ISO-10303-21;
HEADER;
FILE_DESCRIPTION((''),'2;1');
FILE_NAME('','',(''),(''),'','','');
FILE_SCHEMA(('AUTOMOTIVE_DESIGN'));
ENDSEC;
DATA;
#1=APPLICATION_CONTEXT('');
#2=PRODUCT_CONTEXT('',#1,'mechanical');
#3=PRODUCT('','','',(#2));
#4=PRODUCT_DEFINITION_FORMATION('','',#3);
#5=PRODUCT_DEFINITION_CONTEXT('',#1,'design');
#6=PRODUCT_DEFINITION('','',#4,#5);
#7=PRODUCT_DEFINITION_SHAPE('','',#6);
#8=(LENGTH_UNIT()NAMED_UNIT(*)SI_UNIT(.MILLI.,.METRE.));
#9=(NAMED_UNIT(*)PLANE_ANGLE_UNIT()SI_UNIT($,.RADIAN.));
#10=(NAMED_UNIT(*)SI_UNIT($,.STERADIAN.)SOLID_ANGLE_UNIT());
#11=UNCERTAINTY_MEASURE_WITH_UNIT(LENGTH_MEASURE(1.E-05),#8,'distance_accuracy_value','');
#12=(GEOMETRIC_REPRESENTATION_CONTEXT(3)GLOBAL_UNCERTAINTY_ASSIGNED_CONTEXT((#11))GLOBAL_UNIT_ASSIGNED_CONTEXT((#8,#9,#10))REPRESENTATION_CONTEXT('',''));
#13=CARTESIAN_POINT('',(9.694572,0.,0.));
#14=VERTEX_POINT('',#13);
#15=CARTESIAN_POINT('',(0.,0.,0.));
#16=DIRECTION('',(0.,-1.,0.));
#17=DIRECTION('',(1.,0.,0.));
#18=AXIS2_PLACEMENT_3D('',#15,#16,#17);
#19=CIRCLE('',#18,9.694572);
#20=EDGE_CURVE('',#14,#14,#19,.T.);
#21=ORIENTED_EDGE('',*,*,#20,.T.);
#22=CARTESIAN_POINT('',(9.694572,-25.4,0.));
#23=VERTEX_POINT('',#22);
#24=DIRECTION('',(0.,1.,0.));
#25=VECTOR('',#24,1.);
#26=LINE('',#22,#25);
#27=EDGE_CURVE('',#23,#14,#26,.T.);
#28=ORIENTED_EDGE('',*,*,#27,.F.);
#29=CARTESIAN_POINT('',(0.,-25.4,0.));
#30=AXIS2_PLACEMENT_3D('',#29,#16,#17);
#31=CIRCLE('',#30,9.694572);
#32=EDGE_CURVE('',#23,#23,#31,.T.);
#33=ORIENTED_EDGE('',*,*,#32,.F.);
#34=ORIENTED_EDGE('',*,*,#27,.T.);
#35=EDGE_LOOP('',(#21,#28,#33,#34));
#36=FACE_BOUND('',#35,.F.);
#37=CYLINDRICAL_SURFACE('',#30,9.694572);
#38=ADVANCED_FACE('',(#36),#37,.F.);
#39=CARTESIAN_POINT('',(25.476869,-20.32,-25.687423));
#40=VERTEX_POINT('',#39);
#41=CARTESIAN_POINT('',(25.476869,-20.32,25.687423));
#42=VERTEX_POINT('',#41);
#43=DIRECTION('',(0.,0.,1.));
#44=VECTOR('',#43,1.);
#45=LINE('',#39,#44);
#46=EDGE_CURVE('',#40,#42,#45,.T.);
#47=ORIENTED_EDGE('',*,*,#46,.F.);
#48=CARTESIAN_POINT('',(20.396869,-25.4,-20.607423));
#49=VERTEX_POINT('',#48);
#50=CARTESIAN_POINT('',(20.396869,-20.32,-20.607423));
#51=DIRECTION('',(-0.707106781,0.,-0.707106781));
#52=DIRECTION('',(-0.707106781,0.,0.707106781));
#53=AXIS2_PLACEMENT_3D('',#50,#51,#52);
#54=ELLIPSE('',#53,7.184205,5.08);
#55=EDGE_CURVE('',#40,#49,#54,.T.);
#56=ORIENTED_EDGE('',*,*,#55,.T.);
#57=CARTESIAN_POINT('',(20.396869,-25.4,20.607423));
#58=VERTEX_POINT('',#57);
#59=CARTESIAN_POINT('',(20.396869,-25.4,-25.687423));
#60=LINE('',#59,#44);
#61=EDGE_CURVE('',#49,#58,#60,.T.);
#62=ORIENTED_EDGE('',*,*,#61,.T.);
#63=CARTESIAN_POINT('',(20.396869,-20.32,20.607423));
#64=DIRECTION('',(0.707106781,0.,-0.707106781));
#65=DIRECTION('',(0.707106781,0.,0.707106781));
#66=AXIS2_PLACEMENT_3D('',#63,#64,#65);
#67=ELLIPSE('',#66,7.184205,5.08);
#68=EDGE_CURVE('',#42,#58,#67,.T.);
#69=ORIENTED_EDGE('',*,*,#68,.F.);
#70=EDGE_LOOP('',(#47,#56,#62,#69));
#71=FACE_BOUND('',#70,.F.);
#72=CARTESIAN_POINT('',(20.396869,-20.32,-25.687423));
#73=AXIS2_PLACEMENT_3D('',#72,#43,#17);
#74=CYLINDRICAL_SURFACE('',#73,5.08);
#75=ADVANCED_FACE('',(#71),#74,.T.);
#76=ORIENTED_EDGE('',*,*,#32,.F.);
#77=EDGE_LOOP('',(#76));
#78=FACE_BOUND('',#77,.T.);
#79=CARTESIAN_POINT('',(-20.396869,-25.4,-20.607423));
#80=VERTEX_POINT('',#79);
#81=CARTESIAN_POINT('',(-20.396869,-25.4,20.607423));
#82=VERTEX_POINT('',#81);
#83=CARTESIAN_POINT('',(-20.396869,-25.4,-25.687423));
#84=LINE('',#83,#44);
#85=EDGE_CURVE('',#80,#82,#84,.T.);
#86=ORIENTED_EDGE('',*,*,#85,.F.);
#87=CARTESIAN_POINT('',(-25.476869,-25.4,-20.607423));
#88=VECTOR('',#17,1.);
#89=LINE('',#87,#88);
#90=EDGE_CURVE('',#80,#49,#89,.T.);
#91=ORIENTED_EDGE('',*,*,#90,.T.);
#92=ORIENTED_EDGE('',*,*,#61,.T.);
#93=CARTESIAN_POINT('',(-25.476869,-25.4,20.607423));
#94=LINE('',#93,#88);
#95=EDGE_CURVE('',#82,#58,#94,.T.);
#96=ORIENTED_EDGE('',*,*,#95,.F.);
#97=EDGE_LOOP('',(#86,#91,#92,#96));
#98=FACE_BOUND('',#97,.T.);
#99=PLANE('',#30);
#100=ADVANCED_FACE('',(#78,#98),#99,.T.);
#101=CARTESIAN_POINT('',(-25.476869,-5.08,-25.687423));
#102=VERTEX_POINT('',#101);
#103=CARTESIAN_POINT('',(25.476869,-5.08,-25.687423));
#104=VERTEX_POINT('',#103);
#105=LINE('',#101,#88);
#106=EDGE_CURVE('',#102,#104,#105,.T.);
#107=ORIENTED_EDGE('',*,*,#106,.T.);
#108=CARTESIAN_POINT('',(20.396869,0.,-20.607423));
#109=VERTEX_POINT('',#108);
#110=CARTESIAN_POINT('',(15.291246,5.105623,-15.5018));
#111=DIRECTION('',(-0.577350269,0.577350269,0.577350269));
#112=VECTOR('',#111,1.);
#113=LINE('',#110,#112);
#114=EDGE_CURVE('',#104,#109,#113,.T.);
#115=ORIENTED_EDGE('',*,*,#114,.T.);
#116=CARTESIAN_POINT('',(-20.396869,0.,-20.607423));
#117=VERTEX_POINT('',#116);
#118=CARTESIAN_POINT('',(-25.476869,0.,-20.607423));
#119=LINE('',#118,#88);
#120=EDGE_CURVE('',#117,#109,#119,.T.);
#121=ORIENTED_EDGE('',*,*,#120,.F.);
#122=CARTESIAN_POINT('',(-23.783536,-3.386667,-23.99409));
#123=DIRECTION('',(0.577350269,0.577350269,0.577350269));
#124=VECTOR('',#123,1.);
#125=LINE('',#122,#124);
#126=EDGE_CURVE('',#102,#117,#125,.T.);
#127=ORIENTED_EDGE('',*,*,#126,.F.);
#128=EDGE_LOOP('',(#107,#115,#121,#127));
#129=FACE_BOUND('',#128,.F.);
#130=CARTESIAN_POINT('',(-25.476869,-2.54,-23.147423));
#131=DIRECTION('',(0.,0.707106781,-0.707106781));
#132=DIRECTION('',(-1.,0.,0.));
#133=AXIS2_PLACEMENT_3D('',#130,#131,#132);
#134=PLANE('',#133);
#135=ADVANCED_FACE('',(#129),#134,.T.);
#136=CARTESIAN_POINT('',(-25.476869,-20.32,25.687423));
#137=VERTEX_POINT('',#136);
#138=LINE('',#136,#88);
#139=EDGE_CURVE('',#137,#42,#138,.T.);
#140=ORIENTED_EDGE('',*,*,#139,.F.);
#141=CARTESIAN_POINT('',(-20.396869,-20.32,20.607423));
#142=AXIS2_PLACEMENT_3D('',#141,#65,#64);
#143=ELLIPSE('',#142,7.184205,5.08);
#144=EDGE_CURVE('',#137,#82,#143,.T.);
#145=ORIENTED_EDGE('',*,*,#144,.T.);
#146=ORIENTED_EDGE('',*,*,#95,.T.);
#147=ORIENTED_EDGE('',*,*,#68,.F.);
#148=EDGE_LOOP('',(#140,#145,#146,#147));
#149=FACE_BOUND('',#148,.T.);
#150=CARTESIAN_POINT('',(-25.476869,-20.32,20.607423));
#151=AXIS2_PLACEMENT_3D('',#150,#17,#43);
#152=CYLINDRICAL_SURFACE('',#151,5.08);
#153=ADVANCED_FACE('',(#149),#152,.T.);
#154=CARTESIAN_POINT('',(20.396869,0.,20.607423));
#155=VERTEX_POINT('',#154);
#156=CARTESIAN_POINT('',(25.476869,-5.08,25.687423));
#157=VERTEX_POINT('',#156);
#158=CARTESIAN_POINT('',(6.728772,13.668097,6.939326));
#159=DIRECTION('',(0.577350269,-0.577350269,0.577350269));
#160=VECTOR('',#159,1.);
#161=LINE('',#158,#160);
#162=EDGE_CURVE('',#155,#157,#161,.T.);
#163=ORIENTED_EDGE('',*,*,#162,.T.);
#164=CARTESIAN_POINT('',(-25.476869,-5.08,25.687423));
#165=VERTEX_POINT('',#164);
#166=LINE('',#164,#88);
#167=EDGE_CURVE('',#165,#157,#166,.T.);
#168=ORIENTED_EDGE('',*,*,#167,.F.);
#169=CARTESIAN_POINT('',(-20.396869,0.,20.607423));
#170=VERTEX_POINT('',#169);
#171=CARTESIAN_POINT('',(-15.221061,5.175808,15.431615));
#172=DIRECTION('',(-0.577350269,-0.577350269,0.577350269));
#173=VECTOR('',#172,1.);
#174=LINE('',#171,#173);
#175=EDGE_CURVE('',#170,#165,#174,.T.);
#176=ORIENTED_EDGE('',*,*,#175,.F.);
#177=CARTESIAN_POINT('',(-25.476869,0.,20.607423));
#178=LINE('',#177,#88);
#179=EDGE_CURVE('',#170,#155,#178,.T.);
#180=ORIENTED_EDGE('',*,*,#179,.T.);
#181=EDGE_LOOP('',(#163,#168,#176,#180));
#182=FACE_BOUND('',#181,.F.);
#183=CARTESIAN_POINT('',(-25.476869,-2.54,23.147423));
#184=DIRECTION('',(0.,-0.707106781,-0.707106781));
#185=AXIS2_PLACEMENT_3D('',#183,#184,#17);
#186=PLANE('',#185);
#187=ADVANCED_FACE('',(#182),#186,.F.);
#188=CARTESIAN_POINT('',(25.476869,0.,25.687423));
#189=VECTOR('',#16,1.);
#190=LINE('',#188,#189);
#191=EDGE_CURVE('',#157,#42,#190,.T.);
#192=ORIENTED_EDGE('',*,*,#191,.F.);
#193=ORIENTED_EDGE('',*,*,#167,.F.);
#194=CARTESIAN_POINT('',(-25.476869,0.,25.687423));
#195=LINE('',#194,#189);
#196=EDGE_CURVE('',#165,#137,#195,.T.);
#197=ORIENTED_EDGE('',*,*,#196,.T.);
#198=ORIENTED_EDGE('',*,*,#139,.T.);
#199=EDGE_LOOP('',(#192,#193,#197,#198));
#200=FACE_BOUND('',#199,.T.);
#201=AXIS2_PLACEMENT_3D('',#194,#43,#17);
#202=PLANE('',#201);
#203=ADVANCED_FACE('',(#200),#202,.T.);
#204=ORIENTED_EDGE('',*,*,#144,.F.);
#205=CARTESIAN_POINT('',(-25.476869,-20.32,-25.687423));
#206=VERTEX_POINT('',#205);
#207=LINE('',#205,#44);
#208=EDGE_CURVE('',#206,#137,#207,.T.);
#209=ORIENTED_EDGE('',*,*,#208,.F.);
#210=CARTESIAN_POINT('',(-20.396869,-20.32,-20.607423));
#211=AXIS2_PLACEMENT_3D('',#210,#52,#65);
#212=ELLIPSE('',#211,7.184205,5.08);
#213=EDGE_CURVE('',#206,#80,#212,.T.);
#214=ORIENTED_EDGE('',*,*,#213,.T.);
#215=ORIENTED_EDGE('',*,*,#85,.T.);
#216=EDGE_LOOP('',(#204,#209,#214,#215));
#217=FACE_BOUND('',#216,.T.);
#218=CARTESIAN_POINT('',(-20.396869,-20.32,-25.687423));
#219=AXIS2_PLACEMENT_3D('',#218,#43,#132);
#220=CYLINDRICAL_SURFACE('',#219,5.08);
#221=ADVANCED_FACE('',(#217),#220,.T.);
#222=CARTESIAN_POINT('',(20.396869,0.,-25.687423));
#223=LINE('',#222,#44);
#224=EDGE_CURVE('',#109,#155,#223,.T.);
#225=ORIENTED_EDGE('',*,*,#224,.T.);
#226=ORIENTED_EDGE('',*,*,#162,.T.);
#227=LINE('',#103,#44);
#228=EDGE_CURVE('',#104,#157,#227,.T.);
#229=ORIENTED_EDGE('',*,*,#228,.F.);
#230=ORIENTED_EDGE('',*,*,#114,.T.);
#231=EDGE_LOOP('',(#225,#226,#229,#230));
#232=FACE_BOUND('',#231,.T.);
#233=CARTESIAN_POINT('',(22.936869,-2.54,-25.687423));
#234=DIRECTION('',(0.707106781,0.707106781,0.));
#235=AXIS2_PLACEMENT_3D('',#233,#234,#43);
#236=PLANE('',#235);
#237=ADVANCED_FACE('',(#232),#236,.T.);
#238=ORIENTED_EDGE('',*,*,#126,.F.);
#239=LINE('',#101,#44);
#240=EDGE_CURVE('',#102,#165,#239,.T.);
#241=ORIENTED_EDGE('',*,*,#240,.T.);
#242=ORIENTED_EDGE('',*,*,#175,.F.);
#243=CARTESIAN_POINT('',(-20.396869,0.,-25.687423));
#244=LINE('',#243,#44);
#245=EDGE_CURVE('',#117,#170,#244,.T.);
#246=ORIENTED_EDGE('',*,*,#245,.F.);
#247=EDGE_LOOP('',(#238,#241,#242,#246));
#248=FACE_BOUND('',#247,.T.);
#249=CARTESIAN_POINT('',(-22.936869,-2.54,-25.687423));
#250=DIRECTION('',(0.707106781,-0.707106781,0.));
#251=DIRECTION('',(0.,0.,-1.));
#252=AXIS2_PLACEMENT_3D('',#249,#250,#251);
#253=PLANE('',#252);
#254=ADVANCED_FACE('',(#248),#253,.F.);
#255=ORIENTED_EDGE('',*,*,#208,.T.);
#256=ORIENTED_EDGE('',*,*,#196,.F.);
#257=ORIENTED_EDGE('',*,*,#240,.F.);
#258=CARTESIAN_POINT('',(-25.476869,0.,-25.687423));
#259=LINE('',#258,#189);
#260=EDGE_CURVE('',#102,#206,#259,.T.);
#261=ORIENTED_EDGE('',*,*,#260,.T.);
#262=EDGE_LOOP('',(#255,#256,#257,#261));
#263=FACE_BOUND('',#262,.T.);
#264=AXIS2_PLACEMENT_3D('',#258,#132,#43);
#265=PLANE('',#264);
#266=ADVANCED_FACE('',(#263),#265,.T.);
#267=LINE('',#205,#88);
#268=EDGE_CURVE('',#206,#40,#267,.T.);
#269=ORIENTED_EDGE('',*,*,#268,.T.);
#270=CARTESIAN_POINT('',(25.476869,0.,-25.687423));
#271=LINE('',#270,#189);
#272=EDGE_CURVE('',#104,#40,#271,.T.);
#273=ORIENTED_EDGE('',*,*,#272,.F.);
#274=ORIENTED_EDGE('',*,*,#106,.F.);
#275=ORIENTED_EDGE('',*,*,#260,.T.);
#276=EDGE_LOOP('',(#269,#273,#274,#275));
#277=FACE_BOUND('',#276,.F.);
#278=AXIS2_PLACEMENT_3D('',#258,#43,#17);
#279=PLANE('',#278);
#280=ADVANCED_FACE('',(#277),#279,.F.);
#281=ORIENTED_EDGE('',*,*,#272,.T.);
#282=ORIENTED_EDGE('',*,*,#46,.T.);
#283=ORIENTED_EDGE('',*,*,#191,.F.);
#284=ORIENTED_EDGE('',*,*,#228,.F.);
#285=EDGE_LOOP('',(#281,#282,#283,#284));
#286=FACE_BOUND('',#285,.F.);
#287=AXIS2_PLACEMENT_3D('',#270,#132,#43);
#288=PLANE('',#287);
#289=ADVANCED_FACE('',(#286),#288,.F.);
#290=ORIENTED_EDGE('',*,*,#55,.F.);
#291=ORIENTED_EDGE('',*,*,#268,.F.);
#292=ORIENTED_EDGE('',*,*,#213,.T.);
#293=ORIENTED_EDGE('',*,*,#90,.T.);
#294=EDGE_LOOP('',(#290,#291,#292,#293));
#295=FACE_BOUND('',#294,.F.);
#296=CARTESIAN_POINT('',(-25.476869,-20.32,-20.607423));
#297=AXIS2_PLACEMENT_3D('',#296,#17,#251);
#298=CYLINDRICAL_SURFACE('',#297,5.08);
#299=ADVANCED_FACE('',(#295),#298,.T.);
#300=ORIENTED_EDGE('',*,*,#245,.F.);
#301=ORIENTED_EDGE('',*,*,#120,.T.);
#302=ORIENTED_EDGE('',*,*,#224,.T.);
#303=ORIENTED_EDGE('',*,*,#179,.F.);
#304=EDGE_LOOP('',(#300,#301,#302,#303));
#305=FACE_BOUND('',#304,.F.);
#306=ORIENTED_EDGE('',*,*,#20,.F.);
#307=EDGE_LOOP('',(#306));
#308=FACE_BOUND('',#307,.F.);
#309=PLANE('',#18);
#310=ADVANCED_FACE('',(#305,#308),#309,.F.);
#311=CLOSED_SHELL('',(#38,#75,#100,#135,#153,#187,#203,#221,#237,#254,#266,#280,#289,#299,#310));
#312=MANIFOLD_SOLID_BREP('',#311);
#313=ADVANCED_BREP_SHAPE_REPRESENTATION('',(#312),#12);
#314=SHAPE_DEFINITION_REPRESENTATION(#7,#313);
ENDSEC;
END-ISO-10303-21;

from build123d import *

# Parameters (mm, degrees)
F0_W     = 50.953738
F0_H     = 51.374846
F1_DEPTH = 25.4
F2_R     = 5.08
F3_SIZE  = 5.08
F4_R     = 9.694572
F5_DEPTH = 25.4


with BuildPart() as f1:
    # F0 (on Front) → F1 (new body)
    with BuildSketch(Plane.XZ):
        Rectangle(F0_W, F0_H)
    extrude(amount=F1_DEPTH)

    # F2
    f2_edges = [f1.edges().sort_by_distance(p)[0] for p in [
        (0, -25.4, 25.687423),
        (25.476869, -25.4, 0),
        (0, -25.4, -25.687423),
        (-25.476869, -25.4, 0),
    ]]
    fillet(f2_edges, radius=F2_R)

    # F3
    f3_edges = [f1.edges().sort_by_distance(p)[0] for p in [
        (0, 0, 25.687423),
        (-25.476869, 0, 0),
        (0, 0, -25.687423),
        (25.476869, 0, 0),
    ]]
    chamfer(f3_edges, length=F3_SIZE)

    # F4 (on face) → F5 (cut)
    with BuildSketch(Plane.XZ.offset(25.4)):
        Circle(F4_R)
    extrude(amount=-F5_DEPTH, mode=Mode.SUBTRACT)


solid = f1.part
